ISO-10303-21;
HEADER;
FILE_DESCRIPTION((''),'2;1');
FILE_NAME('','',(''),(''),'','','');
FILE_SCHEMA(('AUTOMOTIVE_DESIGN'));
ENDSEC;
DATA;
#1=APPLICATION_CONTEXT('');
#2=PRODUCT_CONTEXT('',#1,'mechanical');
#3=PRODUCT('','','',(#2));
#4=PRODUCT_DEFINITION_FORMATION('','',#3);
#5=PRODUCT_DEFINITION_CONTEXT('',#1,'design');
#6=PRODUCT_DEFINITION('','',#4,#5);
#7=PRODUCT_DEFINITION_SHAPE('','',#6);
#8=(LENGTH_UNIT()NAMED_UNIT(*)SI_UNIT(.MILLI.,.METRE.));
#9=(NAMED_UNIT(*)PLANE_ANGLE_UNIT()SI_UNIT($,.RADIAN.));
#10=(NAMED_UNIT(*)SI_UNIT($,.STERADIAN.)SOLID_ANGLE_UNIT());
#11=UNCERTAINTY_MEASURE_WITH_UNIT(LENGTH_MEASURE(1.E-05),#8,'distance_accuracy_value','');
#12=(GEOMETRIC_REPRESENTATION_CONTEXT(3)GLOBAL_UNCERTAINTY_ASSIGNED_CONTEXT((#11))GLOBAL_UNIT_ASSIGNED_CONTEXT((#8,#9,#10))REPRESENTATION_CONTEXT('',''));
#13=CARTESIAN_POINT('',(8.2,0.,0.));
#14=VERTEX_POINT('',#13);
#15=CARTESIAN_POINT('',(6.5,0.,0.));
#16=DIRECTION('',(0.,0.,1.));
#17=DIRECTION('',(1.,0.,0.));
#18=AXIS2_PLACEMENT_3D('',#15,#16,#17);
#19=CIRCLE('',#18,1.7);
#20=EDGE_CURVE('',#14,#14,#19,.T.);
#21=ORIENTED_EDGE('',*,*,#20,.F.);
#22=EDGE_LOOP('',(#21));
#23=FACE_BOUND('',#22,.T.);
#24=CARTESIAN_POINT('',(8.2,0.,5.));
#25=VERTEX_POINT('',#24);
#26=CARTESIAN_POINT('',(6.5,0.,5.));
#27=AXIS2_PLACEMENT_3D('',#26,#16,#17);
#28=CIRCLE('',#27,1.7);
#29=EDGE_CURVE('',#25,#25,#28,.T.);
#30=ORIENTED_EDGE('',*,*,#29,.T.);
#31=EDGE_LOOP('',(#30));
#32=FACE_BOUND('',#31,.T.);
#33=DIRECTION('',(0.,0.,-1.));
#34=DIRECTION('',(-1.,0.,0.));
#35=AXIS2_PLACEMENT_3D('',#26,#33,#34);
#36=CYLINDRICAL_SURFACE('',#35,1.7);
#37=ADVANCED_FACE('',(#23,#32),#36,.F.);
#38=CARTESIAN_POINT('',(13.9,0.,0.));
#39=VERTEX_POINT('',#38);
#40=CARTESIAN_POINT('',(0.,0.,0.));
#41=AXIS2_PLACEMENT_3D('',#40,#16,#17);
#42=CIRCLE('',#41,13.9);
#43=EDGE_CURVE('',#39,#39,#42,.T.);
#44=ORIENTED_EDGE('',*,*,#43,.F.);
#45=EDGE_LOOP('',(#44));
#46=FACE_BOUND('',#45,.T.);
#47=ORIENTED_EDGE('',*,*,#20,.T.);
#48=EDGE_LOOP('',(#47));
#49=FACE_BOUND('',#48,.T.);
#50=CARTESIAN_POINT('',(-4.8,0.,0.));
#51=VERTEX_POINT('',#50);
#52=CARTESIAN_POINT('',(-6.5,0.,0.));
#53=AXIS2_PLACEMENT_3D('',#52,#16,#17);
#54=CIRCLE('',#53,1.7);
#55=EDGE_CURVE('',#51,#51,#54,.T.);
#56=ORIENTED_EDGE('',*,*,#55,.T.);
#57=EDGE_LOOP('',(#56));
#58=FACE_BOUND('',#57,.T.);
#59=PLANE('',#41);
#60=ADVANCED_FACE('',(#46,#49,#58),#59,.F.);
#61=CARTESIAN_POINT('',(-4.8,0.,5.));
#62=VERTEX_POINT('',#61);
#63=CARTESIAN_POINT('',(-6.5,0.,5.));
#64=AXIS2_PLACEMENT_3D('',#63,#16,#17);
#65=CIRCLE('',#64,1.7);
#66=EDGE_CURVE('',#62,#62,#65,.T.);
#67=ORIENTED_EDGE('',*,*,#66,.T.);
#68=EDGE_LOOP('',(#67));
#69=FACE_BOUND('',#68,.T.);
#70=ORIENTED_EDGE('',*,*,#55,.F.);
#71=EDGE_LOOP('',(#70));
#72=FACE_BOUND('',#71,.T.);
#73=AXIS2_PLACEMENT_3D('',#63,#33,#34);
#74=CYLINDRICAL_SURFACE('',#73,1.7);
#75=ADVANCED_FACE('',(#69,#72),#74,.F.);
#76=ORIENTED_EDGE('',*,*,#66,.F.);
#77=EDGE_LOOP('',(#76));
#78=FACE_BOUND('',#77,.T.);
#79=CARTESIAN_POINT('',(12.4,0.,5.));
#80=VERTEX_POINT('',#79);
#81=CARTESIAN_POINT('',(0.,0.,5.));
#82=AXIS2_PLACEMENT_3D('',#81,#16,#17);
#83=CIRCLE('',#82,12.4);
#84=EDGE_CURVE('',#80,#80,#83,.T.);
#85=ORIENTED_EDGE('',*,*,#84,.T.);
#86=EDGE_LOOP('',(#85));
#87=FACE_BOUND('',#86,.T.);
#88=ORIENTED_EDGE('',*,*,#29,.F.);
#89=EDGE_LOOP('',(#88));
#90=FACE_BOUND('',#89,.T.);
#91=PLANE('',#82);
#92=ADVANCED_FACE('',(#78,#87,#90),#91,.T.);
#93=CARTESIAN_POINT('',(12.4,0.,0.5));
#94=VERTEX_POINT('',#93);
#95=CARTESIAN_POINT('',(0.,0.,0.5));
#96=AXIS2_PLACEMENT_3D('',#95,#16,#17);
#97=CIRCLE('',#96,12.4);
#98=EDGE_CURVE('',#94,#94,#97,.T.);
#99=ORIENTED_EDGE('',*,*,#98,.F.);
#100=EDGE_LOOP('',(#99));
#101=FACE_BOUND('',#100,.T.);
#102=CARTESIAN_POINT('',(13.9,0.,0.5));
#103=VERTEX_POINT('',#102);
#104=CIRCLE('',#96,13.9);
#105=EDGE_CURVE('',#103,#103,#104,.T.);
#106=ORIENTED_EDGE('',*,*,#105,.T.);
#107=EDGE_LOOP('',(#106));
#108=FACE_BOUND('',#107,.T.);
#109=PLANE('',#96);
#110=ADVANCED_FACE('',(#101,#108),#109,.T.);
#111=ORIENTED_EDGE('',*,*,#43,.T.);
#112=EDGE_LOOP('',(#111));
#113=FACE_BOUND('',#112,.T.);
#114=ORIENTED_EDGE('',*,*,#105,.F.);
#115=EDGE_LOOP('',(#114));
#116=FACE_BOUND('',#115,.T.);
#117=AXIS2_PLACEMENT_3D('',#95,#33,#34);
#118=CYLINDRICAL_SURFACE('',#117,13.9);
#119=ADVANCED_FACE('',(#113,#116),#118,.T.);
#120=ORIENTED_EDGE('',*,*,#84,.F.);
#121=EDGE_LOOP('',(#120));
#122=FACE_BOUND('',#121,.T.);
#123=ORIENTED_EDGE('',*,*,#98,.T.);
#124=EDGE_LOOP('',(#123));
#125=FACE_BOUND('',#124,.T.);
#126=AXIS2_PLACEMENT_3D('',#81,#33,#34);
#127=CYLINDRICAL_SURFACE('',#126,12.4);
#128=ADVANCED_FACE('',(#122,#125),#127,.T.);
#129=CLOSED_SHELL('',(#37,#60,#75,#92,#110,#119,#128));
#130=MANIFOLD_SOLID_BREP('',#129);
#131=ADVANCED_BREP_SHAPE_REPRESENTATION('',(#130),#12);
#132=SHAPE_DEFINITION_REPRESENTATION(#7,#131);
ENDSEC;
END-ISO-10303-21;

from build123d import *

# Parameters (mm, degrees)
SKETCH_1_R      = 12.4
SKETCH_1_R_2    = 1.7
EXTRUDE_1_DEPTH = 5
SKETCH_2_R      = 13.9
SKETCH_2_R_2    = 12.4
EXTRUDE_2_DEPTH = 0.5


with BuildPart() as part:
    # 草图1 → 凸台-拉伸1 (new body)
    with BuildSketch(Plane.XY):
        Circle(SKETCH_1_R)
        with Locations((-6.5, 0)):
            Circle(SKETCH_1_R_2, mode=Mode.SUBTRACT)
        with Locations((6.5, 0)):
            Circle(SKETCH_1_R_2, mode=Mode.SUBTRACT)
    extrude(amount=EXTRUDE_1_DEPTH)

    # 草图2 → 凸台-拉伸2 (add)
    with BuildSketch(Plane.XY):
        Circle(SKETCH_2_R)
        Circle(SKETCH_2_R_2, mode=Mode.SUBTRACT)
    extrude(amount=EXTRUDE_2_DEPTH)


solid = part.part
